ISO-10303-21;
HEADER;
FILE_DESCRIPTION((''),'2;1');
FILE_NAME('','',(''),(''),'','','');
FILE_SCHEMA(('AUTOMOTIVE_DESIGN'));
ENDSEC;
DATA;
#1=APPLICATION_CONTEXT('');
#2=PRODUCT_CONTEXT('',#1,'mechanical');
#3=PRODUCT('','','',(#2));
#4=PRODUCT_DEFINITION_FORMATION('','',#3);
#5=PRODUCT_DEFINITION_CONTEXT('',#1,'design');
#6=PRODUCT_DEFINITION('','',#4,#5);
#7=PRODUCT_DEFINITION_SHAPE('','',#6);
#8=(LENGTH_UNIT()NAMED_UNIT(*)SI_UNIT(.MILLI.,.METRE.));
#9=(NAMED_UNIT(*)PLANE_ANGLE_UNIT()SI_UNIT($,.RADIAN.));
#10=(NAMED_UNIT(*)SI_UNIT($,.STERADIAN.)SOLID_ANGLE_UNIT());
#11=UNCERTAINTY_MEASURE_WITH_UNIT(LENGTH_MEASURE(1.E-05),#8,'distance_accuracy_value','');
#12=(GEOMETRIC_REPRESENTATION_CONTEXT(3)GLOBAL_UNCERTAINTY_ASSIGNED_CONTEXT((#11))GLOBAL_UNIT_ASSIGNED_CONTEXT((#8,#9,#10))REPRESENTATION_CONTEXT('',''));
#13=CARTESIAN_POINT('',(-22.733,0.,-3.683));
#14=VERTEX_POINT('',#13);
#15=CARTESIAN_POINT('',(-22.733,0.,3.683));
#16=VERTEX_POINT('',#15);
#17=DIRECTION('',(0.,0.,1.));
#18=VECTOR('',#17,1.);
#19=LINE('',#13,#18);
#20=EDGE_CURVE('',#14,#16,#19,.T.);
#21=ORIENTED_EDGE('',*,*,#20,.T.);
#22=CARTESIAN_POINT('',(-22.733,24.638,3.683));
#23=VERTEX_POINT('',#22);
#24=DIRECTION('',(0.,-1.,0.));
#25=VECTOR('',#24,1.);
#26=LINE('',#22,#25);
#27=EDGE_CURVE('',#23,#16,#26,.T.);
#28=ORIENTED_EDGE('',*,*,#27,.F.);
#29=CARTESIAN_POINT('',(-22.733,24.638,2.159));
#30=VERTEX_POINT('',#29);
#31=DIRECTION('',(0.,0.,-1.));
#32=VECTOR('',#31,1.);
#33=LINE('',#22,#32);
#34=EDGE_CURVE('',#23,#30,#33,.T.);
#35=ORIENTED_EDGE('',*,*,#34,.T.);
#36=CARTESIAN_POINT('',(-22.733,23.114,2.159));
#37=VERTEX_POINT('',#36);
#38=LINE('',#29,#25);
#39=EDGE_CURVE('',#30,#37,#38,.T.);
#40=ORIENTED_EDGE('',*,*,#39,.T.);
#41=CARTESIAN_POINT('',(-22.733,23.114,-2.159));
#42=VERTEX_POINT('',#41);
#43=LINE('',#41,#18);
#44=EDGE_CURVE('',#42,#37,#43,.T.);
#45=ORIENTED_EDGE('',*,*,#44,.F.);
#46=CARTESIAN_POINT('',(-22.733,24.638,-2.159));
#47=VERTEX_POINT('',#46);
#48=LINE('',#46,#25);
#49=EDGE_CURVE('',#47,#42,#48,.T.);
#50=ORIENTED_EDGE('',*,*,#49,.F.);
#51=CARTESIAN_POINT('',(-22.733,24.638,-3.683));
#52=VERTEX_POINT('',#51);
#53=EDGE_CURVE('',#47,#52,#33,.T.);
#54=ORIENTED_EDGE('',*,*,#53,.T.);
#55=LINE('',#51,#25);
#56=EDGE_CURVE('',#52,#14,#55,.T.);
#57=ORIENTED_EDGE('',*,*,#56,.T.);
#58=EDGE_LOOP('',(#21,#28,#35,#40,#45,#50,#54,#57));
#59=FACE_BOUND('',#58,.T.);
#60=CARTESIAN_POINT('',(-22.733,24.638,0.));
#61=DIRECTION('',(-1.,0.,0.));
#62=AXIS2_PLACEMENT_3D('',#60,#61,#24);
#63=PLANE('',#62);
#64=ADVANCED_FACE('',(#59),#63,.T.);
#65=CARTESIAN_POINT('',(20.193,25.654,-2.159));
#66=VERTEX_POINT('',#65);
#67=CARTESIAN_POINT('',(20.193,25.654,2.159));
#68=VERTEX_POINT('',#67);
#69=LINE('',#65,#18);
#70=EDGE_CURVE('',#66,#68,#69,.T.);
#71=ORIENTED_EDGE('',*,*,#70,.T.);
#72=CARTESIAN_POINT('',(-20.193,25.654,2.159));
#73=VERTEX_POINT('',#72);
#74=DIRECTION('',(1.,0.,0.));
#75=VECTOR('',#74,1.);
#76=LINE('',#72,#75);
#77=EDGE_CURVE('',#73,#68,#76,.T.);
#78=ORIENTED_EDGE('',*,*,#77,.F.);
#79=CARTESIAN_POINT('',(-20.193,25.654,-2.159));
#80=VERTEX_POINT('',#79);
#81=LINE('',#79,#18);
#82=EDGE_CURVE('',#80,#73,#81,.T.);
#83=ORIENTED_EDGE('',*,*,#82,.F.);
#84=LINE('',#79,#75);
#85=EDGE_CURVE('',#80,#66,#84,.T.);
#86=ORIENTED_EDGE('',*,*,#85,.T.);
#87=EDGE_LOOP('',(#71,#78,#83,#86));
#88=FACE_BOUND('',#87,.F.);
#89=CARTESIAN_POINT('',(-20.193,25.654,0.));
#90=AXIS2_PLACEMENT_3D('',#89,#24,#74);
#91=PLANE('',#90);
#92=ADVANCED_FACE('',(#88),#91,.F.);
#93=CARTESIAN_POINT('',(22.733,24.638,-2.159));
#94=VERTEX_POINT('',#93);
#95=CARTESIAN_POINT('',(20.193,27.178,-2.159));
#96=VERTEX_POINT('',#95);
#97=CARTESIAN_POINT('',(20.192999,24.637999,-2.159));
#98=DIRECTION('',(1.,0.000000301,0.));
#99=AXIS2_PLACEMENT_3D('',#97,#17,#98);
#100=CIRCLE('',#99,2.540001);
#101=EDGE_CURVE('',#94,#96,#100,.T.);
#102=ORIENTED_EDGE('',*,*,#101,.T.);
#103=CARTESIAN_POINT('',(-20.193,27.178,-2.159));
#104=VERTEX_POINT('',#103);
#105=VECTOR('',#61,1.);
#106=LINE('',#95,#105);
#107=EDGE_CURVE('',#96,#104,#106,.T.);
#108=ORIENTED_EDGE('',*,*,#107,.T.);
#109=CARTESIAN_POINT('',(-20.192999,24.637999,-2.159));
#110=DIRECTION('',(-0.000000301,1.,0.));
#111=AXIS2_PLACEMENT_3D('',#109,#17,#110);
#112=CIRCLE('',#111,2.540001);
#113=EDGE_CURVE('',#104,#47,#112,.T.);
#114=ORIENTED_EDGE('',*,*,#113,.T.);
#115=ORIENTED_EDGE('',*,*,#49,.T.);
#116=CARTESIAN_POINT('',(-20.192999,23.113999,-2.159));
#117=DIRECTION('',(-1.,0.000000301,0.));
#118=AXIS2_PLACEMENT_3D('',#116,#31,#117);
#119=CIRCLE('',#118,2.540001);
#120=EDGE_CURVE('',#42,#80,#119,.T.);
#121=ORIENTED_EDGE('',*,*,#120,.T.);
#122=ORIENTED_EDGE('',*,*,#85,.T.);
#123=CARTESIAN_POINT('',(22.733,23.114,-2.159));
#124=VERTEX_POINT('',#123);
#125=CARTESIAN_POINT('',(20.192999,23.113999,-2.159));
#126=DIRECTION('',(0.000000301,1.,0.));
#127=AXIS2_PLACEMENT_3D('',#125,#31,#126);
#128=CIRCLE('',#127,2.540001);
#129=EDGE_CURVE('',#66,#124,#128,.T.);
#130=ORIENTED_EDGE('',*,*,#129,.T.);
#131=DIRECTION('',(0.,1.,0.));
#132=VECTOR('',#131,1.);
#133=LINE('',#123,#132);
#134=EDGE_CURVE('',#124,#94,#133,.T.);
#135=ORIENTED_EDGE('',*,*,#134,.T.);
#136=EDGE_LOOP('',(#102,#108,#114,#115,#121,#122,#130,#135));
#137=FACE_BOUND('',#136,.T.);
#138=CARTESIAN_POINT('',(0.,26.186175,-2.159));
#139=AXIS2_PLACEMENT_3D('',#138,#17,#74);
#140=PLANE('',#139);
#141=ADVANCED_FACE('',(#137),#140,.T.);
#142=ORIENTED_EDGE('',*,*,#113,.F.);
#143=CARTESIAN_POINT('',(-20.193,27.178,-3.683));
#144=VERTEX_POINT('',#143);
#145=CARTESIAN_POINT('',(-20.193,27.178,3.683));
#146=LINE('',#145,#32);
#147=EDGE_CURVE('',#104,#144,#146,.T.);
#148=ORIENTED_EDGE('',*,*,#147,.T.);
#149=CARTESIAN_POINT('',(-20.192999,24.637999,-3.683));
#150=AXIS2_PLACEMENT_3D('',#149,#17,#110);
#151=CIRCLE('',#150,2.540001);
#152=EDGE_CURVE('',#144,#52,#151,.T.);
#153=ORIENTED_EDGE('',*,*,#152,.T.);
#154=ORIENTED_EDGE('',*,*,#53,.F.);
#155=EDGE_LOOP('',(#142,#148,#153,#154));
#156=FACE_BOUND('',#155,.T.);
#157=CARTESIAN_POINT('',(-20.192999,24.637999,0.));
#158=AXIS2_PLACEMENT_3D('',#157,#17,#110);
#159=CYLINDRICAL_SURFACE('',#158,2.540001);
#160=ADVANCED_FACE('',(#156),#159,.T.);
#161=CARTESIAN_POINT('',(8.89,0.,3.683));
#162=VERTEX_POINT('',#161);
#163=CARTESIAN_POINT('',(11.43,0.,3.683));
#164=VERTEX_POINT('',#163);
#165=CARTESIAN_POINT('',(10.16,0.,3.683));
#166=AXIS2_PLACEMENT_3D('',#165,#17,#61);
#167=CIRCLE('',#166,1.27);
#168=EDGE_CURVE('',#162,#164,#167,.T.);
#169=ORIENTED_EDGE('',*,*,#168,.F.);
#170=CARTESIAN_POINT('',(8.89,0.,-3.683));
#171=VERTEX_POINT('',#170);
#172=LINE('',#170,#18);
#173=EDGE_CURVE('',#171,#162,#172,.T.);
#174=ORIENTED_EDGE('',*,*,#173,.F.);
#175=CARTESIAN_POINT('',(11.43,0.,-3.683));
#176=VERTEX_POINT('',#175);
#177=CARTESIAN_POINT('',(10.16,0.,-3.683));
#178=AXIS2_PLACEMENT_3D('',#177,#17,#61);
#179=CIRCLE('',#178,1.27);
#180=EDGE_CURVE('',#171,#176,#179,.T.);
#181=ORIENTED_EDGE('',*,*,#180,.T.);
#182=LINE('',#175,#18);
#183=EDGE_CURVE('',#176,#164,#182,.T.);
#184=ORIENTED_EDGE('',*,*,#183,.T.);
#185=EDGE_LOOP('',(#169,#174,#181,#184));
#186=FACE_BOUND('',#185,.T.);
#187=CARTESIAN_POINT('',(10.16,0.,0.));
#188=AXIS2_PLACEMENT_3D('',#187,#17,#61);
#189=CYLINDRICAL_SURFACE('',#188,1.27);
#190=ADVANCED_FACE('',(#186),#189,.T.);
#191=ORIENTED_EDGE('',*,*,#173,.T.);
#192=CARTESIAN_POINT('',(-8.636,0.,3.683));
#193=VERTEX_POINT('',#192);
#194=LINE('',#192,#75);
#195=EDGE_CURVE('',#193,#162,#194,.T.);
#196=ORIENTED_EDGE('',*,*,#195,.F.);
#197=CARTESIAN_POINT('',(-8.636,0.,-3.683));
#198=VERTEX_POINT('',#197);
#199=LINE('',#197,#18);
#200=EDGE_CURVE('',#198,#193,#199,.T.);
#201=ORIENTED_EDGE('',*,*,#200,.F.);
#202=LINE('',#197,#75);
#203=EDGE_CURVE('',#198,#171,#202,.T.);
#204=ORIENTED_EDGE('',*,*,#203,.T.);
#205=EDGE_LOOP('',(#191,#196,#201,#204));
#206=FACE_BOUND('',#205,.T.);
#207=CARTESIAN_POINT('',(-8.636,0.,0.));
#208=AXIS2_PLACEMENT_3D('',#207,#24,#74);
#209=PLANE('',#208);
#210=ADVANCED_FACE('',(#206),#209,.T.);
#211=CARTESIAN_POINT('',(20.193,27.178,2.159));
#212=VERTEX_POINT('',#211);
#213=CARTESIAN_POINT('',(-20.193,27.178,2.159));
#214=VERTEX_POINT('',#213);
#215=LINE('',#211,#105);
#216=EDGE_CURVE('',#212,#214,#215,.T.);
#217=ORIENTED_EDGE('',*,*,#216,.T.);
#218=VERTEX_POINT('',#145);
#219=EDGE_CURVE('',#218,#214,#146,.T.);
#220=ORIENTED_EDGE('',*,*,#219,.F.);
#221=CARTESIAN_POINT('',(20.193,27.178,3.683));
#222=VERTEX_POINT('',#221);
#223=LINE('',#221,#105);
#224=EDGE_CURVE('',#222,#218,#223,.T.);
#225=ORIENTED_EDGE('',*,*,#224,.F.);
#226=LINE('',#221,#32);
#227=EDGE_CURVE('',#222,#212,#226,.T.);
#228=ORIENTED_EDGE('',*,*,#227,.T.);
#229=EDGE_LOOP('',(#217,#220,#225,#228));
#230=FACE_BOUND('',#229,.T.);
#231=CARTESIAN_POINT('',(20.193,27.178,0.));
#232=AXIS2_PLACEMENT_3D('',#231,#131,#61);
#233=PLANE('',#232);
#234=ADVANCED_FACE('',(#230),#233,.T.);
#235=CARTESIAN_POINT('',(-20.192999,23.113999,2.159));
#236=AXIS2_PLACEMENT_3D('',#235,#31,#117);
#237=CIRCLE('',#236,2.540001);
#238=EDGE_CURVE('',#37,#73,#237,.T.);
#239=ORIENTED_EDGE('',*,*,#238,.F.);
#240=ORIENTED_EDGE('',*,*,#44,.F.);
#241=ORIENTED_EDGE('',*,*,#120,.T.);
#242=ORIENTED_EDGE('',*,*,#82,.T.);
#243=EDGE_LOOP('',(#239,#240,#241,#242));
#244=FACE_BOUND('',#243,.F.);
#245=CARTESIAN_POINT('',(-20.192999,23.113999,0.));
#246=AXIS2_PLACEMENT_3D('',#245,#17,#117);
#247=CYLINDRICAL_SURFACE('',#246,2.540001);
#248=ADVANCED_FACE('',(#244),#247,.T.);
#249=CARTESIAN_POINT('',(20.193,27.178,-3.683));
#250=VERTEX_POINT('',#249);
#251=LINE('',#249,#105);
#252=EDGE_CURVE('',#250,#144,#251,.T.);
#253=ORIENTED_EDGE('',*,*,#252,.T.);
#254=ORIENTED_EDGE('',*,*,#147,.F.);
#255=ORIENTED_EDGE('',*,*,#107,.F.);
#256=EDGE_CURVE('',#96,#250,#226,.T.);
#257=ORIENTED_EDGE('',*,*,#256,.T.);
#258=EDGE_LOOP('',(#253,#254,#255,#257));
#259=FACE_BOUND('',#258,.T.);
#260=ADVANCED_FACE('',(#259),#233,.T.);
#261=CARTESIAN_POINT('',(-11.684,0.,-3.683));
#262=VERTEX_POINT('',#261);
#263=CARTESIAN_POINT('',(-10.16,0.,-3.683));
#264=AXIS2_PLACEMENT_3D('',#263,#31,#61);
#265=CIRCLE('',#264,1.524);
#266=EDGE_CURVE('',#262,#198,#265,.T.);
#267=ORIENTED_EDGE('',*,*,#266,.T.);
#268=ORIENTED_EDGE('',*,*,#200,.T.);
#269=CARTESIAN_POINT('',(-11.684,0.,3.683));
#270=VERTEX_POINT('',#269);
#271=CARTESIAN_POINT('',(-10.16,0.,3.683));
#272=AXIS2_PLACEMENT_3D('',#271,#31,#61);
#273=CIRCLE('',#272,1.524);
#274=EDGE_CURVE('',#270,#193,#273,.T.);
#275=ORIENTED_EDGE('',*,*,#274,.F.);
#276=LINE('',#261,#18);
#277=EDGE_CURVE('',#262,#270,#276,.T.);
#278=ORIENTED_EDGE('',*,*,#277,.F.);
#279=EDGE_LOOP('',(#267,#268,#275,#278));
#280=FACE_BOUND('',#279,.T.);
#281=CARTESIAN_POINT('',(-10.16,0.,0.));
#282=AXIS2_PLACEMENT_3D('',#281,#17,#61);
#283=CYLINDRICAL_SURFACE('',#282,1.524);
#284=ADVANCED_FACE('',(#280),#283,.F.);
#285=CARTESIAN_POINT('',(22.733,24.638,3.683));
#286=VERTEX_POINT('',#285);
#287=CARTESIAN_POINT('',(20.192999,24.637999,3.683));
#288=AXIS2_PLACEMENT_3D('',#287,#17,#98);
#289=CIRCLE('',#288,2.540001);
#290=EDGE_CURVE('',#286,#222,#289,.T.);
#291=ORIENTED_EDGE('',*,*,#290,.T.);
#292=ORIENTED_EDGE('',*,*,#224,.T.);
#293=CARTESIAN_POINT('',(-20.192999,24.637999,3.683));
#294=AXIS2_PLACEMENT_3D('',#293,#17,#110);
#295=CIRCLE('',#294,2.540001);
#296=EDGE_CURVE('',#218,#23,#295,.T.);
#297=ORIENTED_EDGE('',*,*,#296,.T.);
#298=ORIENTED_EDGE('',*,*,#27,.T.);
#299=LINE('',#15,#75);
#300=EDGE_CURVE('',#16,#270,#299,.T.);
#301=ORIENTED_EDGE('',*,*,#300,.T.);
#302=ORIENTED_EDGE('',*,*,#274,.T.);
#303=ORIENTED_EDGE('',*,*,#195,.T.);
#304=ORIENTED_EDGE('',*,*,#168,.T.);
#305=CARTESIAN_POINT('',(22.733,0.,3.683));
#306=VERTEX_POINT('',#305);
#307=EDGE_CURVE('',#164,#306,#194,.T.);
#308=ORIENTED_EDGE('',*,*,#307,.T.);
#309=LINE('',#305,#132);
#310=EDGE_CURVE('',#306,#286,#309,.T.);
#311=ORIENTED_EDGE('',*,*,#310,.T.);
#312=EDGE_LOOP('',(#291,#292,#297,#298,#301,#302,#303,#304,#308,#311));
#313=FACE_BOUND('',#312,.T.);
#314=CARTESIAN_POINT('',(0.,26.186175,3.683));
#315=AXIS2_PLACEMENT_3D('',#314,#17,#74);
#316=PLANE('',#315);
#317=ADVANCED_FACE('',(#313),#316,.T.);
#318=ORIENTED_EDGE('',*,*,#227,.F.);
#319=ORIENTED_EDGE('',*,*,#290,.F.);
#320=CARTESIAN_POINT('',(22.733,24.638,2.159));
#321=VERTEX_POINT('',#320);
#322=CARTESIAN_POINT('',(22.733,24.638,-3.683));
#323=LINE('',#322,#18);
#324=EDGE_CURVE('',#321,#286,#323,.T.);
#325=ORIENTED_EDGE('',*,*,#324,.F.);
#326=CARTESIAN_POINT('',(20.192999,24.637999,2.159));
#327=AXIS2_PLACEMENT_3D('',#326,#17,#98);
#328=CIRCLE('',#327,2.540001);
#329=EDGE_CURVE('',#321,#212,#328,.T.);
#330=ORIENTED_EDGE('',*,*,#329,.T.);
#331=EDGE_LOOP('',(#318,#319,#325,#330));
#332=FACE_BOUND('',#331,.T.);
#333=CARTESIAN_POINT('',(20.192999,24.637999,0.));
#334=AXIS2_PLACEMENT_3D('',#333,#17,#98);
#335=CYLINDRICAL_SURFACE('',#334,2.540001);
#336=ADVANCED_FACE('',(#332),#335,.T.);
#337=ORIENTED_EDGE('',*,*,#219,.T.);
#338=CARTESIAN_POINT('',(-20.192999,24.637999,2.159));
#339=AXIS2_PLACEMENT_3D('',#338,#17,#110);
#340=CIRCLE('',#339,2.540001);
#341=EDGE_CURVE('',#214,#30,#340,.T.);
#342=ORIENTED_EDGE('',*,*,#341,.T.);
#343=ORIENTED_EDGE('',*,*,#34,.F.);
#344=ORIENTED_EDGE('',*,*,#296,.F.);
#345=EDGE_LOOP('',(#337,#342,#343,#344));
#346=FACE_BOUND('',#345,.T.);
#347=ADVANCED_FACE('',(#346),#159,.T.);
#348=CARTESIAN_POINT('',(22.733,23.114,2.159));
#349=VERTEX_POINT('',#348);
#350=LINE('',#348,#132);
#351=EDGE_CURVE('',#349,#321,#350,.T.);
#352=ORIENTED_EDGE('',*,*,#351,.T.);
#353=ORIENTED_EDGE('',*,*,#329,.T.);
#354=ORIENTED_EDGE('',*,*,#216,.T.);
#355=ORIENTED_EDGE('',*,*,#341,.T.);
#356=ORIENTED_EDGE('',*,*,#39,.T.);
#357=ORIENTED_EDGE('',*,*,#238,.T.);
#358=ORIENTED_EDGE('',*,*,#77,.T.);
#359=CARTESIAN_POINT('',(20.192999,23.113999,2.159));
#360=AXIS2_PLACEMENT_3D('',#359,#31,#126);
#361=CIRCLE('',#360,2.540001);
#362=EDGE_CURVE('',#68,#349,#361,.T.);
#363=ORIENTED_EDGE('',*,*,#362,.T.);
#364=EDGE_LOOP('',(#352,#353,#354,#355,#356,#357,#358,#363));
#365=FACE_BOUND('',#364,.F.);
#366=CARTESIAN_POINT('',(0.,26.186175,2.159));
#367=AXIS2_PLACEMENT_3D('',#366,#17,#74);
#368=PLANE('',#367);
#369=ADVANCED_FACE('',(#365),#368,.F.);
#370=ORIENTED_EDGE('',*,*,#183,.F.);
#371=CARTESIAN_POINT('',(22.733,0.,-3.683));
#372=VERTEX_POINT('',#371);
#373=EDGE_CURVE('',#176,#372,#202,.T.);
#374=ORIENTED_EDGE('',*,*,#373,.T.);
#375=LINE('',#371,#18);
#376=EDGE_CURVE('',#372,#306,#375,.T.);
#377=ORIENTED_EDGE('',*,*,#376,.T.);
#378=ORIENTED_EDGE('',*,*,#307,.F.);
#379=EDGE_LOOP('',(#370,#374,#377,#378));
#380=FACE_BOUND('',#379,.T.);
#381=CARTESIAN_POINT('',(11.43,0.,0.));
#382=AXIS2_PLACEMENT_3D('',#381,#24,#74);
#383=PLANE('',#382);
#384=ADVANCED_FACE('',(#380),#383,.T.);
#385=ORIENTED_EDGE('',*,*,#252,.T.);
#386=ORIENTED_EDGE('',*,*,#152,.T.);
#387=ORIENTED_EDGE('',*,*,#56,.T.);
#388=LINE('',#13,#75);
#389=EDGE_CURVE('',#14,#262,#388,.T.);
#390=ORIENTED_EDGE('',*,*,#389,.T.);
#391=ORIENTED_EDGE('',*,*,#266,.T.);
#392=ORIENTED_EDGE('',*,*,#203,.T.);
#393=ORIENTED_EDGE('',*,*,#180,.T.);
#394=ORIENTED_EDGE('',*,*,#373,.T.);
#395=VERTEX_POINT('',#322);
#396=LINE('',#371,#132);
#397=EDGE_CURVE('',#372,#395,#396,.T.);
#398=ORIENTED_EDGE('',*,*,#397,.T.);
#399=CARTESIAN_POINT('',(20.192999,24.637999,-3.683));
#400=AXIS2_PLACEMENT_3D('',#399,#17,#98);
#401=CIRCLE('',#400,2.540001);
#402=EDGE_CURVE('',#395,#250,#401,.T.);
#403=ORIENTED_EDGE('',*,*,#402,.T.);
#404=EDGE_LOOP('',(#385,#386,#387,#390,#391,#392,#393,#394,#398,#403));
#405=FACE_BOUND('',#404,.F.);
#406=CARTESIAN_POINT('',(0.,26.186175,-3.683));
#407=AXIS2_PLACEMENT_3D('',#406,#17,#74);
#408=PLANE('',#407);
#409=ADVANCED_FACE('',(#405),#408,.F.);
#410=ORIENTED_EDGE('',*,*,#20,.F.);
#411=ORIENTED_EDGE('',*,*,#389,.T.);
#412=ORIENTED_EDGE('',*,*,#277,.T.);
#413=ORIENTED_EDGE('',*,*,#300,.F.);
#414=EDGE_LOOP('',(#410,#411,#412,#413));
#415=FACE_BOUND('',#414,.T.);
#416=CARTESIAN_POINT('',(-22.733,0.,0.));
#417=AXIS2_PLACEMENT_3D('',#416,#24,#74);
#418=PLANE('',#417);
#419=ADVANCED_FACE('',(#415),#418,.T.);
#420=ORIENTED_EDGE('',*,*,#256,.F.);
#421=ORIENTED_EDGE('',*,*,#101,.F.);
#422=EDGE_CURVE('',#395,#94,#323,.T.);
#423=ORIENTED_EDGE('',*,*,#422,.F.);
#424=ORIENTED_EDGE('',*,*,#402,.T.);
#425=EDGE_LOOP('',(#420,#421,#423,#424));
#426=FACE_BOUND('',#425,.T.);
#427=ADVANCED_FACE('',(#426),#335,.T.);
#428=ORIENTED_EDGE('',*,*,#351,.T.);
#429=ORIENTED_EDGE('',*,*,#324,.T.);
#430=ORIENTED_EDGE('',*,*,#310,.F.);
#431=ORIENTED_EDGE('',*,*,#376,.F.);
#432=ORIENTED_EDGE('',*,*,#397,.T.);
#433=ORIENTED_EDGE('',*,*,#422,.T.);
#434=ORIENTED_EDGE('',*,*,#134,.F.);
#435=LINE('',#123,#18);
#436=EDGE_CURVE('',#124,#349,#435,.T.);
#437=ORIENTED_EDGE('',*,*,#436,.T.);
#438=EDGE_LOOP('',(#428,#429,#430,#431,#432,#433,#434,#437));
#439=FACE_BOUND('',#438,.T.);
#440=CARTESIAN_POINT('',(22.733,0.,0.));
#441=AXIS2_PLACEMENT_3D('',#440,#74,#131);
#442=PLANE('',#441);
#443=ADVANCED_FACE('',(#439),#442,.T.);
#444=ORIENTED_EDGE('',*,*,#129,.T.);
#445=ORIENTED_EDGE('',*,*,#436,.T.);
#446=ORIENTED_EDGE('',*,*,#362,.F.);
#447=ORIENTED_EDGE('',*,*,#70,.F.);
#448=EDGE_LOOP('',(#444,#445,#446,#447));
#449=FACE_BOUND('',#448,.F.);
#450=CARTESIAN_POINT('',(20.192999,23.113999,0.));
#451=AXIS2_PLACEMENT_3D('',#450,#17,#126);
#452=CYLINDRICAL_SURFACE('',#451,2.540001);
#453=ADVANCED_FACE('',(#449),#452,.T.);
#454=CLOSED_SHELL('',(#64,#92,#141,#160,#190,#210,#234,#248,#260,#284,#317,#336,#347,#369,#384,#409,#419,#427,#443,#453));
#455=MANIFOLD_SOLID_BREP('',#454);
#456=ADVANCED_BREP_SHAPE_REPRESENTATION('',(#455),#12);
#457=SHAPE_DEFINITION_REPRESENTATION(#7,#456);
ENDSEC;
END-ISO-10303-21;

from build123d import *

# Parameters (mm, degrees)
F1_DEPTH = 3.683
F2_DEPTH = 2.159


with BuildPart() as f1:
    # F0 (on Top) → F1 (new body, symmetric)
    with BuildSketch(Plane.XY):
        with BuildLine():
            Line((-22.733, 24.638), (-22.733, 23.114))
            ThreePointArc((-22.733, 23.114), (-21.989051, 24.910051), (-20.193, 25.654))
            Line((-20.193, 25.654), (20.193, 25.654))
            ThreePointArc((20.193, 25.654), (21.989051, 24.910051), (22.733, 23.114))
            Line((22.733, 23.114), (22.733, 24.638))
            ThreePointArc((22.733, 24.638), (21.989051, 26.434051), (20.193, 27.178))
            Line((20.193, 27.178), (-20.193, 27.178))
            ThreePointArc((-20.193, 27.178), (-21.989051, 26.434051), (-22.733, 24.638))
        make_face()
        with BuildLine():
            Line((-22.733, 23.114), (-22.733, 0))
            Line((-22.733, 0), (-11.684, 0))
            ThreePointArc((-11.684, 0), (-10.16, 1.524), (-8.636, 0))
            Line((-8.636, 0), (8.89, 0))
            Line((8.89, 0), (11.43, 0))
            Line((11.43, 0), (22.733, 0))
            Line((22.733, 0), (22.733, 23.114))
            ThreePointArc((22.733, 23.114), (21.989051, 24.910051), (20.193, 25.654))
            Line((20.193, 25.654), (-20.193, 25.654))
            ThreePointArc((-20.193, 25.654), (-21.989051, 24.910051), (-22.733, 23.114))
        make_face()
        with BuildLine():
            Line((11.43, 0), (8.89, 0))
            ThreePointArc((8.89, 0), (10.16, -1.27), (11.43, 0))
        make_face()
    extrude(amount=F1_DEPTH, both=True)

    # F0 (on Top) → F2 (cut, symmetric)
    with BuildSketch(Plane.XY):
        with BuildLine():
            Line((-22.733, 24.638), (-22.733, 23.114))
            ThreePointArc((-22.733, 23.114), (-21.989051, 24.910051), (-20.193, 25.654))
            Line((-20.193, 25.654), (20.193, 25.654))
            ThreePointArc((20.193, 25.654), (21.989051, 24.910051), (22.733, 23.114))
            Line((22.733, 23.114), (22.733, 24.638))
            ThreePointArc((22.733, 24.638), (21.989051, 26.434051), (20.193, 27.178))
            Line((20.193, 27.178), (-20.193, 27.178))
            ThreePointArc((-20.193, 27.178), (-21.989051, 26.434051), (-22.733, 24.638))
        make_face()
    extrude(amount=F2_DEPTH, both=True, mode=Mode.SUBTRACT)


solid = f1.part
